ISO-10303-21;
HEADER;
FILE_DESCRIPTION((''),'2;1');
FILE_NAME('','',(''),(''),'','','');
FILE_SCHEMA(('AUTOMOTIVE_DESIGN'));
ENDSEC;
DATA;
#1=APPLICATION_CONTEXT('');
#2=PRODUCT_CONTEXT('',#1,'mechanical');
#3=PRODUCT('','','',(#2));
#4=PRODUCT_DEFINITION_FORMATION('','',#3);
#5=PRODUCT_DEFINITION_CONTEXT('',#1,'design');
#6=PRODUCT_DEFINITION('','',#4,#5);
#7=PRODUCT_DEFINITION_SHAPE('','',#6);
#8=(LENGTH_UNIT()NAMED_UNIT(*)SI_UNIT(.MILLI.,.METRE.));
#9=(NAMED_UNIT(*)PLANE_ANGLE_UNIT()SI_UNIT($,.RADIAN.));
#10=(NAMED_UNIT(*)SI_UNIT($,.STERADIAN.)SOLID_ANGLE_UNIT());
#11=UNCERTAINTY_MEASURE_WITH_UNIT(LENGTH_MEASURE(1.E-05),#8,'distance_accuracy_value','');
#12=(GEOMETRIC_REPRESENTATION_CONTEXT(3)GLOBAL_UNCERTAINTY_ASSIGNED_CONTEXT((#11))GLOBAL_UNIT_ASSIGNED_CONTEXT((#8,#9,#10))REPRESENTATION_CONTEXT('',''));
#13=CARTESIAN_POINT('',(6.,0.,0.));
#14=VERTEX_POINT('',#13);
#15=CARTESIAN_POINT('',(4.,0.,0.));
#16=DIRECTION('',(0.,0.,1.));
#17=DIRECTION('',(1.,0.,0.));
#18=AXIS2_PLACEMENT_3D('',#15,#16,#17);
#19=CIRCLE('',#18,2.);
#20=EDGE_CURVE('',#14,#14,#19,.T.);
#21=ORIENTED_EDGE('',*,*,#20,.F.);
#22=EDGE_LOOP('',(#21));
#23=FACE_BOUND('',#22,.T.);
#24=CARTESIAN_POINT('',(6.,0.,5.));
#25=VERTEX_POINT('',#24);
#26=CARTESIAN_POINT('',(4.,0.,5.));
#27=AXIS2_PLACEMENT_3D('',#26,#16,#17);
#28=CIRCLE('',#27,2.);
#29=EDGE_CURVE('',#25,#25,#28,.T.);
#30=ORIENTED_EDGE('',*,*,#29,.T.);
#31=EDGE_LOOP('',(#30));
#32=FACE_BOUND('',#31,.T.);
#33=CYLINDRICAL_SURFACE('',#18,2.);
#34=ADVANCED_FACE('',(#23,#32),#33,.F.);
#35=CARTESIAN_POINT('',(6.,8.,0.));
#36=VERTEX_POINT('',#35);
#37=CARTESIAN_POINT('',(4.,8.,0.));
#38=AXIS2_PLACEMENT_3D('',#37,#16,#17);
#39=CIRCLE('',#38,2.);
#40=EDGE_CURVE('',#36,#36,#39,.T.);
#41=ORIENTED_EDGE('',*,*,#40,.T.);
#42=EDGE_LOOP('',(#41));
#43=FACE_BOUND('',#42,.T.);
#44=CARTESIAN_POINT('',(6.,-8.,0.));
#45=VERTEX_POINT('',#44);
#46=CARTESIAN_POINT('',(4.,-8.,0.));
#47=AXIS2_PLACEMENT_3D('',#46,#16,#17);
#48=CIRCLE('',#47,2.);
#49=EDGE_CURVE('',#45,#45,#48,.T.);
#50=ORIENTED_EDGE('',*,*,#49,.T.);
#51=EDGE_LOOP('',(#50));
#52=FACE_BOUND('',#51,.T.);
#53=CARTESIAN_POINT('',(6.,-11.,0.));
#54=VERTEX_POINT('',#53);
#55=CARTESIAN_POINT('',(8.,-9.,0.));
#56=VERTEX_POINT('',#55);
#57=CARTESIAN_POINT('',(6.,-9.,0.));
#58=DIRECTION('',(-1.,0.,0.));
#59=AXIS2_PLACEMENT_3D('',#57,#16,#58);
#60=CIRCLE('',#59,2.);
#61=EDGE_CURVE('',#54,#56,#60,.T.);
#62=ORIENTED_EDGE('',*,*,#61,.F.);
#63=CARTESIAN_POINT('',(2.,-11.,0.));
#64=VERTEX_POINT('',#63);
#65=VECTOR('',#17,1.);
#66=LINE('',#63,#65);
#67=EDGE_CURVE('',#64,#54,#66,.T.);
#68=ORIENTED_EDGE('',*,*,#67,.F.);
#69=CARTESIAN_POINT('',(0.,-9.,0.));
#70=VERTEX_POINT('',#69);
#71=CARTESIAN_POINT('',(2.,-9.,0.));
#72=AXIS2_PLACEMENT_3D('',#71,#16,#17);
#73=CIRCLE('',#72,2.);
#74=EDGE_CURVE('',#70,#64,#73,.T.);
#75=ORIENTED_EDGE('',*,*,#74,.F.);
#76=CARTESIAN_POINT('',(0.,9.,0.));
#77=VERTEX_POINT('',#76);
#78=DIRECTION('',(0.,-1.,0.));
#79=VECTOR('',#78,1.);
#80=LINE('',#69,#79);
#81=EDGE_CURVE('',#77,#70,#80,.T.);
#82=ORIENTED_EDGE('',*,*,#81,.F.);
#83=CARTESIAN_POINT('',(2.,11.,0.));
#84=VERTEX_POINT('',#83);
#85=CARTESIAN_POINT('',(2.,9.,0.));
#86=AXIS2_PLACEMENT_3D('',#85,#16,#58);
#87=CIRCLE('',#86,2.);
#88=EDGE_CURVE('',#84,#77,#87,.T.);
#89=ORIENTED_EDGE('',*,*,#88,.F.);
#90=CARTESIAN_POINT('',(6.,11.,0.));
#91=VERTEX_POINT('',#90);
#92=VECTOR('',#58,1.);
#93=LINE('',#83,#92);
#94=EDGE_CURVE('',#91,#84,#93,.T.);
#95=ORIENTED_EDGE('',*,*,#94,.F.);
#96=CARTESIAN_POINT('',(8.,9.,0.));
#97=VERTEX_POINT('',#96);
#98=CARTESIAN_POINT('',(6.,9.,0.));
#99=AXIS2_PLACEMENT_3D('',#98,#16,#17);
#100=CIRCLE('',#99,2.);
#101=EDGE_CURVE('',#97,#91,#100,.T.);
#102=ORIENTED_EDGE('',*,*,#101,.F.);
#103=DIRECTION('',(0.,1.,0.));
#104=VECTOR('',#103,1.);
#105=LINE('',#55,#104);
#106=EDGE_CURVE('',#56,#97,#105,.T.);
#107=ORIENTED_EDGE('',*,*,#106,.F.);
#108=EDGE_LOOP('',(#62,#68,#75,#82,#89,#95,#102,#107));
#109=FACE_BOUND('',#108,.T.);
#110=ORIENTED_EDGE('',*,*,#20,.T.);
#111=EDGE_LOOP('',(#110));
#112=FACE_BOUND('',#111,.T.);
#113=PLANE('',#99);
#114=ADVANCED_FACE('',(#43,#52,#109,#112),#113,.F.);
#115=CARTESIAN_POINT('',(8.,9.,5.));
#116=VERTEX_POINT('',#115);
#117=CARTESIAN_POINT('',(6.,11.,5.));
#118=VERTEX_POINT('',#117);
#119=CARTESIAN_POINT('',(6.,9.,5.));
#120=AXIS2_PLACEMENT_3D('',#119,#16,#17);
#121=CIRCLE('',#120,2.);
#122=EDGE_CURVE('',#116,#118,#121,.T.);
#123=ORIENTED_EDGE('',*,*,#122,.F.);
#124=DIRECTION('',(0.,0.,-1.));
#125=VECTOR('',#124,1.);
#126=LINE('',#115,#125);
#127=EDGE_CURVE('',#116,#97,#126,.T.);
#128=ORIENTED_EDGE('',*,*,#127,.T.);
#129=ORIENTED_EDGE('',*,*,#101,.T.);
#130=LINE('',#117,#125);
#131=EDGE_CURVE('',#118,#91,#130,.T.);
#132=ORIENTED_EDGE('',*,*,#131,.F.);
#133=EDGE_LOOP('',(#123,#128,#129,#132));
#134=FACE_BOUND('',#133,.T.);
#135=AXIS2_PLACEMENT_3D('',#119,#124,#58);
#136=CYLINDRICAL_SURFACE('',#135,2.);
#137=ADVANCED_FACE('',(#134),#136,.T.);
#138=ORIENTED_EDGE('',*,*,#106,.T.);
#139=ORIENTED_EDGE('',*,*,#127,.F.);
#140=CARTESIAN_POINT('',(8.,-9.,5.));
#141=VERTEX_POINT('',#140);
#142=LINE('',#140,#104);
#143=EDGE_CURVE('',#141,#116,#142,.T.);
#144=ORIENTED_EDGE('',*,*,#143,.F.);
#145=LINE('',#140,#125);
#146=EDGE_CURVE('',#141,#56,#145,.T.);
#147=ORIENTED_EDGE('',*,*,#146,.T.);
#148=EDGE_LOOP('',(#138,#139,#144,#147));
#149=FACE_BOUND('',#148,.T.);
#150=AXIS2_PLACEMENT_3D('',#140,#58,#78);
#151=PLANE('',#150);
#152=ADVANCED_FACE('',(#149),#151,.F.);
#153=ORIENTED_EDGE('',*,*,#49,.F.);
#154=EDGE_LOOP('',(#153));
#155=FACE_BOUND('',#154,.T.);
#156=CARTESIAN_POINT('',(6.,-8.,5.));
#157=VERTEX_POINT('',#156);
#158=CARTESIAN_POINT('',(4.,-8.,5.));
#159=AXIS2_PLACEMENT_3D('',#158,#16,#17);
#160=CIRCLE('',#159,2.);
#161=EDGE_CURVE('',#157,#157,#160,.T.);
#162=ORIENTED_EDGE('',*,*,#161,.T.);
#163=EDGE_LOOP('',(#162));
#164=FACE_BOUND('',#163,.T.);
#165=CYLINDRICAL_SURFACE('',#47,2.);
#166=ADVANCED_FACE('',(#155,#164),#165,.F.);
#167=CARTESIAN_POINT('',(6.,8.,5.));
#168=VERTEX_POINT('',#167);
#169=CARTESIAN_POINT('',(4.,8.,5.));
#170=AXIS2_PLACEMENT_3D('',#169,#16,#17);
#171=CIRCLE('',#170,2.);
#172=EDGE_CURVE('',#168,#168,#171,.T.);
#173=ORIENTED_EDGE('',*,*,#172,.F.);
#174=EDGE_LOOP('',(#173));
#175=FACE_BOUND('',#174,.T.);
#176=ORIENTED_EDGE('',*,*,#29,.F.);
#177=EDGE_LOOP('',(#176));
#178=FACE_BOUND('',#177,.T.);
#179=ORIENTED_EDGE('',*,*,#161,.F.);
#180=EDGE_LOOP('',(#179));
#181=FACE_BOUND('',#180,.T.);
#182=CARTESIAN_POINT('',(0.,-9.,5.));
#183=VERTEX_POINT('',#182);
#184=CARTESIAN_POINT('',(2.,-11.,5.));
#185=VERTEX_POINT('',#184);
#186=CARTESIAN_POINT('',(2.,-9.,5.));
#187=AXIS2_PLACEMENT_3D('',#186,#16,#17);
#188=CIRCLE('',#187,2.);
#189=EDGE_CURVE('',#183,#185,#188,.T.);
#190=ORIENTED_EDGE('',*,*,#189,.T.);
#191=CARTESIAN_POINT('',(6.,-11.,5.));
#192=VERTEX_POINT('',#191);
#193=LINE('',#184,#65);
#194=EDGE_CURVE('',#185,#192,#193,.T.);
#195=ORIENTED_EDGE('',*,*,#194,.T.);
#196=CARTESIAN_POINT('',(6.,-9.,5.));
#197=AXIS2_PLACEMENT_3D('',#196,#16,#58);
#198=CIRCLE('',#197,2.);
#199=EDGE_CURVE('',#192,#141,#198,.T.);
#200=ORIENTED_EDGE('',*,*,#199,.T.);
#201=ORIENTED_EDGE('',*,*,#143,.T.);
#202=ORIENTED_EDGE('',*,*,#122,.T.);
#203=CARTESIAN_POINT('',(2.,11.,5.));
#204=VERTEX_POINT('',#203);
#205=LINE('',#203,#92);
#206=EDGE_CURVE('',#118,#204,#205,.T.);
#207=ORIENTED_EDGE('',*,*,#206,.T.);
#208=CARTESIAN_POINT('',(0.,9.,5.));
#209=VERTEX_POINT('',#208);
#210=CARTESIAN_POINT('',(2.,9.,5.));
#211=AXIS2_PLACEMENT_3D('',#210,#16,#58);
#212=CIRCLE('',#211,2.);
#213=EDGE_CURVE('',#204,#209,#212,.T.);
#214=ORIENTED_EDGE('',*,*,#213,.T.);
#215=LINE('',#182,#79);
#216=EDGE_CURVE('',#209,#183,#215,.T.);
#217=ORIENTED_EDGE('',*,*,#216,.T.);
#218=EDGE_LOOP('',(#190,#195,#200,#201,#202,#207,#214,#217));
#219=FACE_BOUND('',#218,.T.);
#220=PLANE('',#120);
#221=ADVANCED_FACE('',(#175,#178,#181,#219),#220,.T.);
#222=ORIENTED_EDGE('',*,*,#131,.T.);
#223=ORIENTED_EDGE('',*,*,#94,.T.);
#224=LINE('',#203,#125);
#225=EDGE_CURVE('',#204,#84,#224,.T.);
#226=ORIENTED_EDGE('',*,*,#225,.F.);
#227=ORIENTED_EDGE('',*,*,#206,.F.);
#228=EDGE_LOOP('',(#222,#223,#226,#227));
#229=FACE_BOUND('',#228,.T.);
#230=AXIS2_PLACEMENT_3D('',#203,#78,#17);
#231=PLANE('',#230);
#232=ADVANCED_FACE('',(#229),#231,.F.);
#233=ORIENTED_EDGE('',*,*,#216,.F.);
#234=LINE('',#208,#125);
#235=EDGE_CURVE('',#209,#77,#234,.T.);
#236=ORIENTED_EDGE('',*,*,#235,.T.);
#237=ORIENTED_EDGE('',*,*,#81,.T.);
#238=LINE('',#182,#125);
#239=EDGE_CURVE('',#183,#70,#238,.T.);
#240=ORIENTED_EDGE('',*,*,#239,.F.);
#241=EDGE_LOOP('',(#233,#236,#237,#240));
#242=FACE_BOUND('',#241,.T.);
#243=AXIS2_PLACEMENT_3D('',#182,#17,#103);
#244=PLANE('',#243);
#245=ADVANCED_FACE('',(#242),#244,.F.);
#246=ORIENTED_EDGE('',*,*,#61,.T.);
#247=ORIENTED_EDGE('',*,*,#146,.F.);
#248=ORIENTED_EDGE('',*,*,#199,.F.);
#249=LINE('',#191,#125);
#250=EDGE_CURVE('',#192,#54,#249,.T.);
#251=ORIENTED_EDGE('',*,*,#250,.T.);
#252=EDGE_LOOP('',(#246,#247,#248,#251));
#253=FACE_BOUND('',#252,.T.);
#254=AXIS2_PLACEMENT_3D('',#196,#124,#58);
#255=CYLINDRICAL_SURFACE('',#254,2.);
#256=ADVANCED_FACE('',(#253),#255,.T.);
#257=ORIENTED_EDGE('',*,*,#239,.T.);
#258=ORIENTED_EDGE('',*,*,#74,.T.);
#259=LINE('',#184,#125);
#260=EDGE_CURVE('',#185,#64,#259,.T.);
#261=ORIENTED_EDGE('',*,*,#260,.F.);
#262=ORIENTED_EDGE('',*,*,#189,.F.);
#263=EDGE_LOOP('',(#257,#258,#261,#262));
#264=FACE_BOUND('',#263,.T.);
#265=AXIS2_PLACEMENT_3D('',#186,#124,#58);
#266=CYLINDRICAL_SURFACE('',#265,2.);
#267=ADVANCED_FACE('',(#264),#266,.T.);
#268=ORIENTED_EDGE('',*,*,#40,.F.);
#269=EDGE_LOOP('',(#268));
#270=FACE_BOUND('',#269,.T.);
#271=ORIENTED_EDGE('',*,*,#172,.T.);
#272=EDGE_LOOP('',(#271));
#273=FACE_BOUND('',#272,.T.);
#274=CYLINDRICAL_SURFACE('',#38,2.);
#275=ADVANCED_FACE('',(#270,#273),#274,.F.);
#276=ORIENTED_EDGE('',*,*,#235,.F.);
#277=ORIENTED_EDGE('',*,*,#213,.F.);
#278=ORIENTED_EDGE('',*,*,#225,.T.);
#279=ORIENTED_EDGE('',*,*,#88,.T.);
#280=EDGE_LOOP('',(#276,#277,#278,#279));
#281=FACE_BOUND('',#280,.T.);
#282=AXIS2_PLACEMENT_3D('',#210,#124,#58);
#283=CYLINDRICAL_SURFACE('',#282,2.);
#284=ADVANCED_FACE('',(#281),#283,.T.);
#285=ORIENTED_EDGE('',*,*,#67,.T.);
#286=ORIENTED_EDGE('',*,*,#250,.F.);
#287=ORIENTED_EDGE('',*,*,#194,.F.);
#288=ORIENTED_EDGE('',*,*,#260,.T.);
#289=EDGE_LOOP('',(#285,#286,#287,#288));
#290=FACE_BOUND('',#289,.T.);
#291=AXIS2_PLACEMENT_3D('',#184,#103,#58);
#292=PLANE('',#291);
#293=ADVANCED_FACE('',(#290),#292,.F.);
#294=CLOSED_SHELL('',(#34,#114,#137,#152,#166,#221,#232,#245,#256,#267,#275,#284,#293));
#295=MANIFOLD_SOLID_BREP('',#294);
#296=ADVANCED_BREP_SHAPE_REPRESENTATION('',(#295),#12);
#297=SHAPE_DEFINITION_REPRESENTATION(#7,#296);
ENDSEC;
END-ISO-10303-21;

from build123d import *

# Parameters (mm, degrees)
BOSS_EXTRUDE1_DEPTH = 5
SKETCH3_R           = 2
CUT_EXTRUDE2_DEPTH  = 6


with BuildPart() as part:
    # Sketch1 → Boss-Extrude1 (new body)
    with BuildSketch(Plane.XY):
        with BuildLine():
            Line((0, -9), (0, 9))
            ThreePointArc((0, 9), (0.585786438, 10.414213562), (2, 11))
            Line((2, 11), (6, 11))
            ThreePointArc((6, 11), (7.414213562, 10.414213562), (8, 9))
            Line((8, 9), (8, -9))
            ThreePointArc((8, -9), (7.414213562, -10.414213562), (6, -11))
            Line((6, -11), (2, -11))
            ThreePointArc((2, -11), (0.585786438, -10.414213562), (0, -9))
        make_face()
    extrude(amount=BOSS_EXTRUDE1_DEPTH)

    # Sketch3 → Cut-Extrude2 (cut, through all)
    with BuildSketch(Plane.XY.offset(5)):
        with Locations((4, 0)):
            Circle(SKETCH3_R)
        with Locations((4, 8)):
            Circle(SKETCH3_R)
        with Locations((4, -8)):
            Circle(SKETCH3_R)
    extrude(amount=-CUT_EXTRUDE2_DEPTH, mode=Mode.SUBTRACT)


solid = part.part
